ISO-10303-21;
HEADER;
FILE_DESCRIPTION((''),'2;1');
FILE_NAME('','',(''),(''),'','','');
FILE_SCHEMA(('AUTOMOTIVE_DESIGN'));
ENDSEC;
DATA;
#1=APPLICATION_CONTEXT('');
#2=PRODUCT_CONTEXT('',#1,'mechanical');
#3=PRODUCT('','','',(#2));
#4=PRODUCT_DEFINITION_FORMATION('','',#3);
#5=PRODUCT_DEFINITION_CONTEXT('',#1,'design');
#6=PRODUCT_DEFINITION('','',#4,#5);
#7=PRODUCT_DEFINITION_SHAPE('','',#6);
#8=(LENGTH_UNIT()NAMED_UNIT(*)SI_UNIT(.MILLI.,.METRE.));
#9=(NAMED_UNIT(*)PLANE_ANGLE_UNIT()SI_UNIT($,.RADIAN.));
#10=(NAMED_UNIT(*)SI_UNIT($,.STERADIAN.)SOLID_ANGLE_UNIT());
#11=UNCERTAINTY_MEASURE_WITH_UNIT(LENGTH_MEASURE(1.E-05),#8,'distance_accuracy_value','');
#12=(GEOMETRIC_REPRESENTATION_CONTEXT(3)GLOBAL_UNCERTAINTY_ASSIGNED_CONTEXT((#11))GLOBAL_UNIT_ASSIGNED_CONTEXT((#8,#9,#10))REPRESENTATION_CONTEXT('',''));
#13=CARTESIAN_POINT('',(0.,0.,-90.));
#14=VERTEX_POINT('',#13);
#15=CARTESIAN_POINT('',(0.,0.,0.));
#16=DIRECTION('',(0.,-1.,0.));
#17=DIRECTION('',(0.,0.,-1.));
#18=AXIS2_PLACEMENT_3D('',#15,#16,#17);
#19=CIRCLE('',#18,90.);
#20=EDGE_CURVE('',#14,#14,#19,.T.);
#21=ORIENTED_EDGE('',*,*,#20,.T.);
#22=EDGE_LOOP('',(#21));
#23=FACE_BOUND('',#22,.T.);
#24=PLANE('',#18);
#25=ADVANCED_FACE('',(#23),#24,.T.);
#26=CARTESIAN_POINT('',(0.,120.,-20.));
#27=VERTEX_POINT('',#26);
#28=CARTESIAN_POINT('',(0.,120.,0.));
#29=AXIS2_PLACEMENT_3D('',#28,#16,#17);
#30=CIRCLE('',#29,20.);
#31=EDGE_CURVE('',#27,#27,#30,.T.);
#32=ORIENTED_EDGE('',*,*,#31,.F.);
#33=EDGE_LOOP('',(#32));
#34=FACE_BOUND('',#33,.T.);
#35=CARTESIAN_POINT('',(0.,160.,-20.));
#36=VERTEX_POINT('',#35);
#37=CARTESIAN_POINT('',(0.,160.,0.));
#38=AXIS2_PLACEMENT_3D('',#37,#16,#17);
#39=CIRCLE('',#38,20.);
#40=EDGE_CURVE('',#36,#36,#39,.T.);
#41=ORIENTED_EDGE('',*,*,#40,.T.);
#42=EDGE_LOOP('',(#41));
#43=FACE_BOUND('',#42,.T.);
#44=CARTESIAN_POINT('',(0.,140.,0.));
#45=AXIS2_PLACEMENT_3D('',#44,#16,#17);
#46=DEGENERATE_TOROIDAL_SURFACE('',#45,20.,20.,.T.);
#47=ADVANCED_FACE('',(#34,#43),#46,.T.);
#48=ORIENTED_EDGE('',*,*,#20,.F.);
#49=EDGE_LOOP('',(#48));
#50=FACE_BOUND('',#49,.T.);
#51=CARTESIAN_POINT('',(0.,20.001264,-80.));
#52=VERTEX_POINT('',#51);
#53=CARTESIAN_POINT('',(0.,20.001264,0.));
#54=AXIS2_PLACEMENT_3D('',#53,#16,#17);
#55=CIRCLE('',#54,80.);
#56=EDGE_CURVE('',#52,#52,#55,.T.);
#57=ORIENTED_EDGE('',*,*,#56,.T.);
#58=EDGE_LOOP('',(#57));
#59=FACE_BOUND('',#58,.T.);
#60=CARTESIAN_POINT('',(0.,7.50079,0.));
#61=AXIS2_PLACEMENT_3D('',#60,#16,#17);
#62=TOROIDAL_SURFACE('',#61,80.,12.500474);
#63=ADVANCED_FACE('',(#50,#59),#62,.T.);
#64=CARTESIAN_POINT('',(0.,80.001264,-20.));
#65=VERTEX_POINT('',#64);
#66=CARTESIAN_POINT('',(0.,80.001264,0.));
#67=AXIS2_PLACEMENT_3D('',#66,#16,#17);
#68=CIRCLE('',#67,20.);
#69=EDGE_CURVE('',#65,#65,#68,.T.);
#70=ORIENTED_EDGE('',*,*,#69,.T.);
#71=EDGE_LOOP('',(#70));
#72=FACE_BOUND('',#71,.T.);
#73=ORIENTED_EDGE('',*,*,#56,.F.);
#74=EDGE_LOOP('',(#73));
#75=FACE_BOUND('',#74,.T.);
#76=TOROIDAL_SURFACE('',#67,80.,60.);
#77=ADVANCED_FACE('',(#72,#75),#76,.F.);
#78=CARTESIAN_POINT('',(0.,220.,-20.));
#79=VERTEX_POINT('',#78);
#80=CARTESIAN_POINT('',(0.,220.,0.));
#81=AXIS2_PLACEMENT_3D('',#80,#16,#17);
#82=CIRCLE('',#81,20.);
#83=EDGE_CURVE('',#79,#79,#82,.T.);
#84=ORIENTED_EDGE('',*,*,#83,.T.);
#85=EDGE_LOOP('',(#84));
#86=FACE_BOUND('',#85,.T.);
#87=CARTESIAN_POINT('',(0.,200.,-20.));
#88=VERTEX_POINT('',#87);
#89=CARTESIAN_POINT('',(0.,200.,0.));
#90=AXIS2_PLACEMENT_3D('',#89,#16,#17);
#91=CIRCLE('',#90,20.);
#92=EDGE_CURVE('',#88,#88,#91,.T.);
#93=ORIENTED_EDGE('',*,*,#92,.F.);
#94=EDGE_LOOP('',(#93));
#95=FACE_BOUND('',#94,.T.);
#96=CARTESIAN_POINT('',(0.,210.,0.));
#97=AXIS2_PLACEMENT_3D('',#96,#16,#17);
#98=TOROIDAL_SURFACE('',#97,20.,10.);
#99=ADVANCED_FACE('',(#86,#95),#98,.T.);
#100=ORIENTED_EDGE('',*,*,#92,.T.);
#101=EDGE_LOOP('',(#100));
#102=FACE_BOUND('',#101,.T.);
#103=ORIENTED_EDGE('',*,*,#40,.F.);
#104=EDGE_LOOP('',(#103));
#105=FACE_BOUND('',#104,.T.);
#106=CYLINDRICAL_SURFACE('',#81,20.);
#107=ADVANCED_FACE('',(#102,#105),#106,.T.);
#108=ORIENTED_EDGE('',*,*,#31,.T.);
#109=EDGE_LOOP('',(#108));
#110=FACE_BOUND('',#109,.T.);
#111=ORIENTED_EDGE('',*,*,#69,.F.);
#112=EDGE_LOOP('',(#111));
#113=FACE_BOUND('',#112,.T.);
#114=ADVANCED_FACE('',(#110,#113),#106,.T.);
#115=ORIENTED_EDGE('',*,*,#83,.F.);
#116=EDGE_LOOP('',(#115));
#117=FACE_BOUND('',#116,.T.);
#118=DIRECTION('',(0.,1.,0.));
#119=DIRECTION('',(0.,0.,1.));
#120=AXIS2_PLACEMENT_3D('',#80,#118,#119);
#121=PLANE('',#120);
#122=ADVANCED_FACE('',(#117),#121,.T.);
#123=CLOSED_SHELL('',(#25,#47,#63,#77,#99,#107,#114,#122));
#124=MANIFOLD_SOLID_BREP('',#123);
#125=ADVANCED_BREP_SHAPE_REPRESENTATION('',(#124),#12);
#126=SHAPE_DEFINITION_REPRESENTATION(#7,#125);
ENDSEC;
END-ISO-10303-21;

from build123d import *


with BuildPart() as part:
    # Sketch1 → Revolve1 (revolve)
    with BuildSketch(Plane.XY):
        with BuildLine():
            Line((0, 0), (0, 220))
            Line((0, 220), (20, 220))
            ThreePointArc((20, 220), (30, 210), (20, 200))
            Line((20, 200), (20, 160))
            ThreePointArc((20, 160), (40, 140), (20, 120))
            Line((20, 120), (20, 80.001263784))
            ThreePointArc((20, 80.001263784), (37.573593129, 37.574856913), (80, 20.001263784))
            ThreePointArc((80, 20.001263784), (91.180905073, 13.090889158), (90, 0))
            Line((90, 0), (0, 0))
        make_face()
    revolve(axis=Axis((0, 220, 0), (0, 1, 0)))


solid = part.part
